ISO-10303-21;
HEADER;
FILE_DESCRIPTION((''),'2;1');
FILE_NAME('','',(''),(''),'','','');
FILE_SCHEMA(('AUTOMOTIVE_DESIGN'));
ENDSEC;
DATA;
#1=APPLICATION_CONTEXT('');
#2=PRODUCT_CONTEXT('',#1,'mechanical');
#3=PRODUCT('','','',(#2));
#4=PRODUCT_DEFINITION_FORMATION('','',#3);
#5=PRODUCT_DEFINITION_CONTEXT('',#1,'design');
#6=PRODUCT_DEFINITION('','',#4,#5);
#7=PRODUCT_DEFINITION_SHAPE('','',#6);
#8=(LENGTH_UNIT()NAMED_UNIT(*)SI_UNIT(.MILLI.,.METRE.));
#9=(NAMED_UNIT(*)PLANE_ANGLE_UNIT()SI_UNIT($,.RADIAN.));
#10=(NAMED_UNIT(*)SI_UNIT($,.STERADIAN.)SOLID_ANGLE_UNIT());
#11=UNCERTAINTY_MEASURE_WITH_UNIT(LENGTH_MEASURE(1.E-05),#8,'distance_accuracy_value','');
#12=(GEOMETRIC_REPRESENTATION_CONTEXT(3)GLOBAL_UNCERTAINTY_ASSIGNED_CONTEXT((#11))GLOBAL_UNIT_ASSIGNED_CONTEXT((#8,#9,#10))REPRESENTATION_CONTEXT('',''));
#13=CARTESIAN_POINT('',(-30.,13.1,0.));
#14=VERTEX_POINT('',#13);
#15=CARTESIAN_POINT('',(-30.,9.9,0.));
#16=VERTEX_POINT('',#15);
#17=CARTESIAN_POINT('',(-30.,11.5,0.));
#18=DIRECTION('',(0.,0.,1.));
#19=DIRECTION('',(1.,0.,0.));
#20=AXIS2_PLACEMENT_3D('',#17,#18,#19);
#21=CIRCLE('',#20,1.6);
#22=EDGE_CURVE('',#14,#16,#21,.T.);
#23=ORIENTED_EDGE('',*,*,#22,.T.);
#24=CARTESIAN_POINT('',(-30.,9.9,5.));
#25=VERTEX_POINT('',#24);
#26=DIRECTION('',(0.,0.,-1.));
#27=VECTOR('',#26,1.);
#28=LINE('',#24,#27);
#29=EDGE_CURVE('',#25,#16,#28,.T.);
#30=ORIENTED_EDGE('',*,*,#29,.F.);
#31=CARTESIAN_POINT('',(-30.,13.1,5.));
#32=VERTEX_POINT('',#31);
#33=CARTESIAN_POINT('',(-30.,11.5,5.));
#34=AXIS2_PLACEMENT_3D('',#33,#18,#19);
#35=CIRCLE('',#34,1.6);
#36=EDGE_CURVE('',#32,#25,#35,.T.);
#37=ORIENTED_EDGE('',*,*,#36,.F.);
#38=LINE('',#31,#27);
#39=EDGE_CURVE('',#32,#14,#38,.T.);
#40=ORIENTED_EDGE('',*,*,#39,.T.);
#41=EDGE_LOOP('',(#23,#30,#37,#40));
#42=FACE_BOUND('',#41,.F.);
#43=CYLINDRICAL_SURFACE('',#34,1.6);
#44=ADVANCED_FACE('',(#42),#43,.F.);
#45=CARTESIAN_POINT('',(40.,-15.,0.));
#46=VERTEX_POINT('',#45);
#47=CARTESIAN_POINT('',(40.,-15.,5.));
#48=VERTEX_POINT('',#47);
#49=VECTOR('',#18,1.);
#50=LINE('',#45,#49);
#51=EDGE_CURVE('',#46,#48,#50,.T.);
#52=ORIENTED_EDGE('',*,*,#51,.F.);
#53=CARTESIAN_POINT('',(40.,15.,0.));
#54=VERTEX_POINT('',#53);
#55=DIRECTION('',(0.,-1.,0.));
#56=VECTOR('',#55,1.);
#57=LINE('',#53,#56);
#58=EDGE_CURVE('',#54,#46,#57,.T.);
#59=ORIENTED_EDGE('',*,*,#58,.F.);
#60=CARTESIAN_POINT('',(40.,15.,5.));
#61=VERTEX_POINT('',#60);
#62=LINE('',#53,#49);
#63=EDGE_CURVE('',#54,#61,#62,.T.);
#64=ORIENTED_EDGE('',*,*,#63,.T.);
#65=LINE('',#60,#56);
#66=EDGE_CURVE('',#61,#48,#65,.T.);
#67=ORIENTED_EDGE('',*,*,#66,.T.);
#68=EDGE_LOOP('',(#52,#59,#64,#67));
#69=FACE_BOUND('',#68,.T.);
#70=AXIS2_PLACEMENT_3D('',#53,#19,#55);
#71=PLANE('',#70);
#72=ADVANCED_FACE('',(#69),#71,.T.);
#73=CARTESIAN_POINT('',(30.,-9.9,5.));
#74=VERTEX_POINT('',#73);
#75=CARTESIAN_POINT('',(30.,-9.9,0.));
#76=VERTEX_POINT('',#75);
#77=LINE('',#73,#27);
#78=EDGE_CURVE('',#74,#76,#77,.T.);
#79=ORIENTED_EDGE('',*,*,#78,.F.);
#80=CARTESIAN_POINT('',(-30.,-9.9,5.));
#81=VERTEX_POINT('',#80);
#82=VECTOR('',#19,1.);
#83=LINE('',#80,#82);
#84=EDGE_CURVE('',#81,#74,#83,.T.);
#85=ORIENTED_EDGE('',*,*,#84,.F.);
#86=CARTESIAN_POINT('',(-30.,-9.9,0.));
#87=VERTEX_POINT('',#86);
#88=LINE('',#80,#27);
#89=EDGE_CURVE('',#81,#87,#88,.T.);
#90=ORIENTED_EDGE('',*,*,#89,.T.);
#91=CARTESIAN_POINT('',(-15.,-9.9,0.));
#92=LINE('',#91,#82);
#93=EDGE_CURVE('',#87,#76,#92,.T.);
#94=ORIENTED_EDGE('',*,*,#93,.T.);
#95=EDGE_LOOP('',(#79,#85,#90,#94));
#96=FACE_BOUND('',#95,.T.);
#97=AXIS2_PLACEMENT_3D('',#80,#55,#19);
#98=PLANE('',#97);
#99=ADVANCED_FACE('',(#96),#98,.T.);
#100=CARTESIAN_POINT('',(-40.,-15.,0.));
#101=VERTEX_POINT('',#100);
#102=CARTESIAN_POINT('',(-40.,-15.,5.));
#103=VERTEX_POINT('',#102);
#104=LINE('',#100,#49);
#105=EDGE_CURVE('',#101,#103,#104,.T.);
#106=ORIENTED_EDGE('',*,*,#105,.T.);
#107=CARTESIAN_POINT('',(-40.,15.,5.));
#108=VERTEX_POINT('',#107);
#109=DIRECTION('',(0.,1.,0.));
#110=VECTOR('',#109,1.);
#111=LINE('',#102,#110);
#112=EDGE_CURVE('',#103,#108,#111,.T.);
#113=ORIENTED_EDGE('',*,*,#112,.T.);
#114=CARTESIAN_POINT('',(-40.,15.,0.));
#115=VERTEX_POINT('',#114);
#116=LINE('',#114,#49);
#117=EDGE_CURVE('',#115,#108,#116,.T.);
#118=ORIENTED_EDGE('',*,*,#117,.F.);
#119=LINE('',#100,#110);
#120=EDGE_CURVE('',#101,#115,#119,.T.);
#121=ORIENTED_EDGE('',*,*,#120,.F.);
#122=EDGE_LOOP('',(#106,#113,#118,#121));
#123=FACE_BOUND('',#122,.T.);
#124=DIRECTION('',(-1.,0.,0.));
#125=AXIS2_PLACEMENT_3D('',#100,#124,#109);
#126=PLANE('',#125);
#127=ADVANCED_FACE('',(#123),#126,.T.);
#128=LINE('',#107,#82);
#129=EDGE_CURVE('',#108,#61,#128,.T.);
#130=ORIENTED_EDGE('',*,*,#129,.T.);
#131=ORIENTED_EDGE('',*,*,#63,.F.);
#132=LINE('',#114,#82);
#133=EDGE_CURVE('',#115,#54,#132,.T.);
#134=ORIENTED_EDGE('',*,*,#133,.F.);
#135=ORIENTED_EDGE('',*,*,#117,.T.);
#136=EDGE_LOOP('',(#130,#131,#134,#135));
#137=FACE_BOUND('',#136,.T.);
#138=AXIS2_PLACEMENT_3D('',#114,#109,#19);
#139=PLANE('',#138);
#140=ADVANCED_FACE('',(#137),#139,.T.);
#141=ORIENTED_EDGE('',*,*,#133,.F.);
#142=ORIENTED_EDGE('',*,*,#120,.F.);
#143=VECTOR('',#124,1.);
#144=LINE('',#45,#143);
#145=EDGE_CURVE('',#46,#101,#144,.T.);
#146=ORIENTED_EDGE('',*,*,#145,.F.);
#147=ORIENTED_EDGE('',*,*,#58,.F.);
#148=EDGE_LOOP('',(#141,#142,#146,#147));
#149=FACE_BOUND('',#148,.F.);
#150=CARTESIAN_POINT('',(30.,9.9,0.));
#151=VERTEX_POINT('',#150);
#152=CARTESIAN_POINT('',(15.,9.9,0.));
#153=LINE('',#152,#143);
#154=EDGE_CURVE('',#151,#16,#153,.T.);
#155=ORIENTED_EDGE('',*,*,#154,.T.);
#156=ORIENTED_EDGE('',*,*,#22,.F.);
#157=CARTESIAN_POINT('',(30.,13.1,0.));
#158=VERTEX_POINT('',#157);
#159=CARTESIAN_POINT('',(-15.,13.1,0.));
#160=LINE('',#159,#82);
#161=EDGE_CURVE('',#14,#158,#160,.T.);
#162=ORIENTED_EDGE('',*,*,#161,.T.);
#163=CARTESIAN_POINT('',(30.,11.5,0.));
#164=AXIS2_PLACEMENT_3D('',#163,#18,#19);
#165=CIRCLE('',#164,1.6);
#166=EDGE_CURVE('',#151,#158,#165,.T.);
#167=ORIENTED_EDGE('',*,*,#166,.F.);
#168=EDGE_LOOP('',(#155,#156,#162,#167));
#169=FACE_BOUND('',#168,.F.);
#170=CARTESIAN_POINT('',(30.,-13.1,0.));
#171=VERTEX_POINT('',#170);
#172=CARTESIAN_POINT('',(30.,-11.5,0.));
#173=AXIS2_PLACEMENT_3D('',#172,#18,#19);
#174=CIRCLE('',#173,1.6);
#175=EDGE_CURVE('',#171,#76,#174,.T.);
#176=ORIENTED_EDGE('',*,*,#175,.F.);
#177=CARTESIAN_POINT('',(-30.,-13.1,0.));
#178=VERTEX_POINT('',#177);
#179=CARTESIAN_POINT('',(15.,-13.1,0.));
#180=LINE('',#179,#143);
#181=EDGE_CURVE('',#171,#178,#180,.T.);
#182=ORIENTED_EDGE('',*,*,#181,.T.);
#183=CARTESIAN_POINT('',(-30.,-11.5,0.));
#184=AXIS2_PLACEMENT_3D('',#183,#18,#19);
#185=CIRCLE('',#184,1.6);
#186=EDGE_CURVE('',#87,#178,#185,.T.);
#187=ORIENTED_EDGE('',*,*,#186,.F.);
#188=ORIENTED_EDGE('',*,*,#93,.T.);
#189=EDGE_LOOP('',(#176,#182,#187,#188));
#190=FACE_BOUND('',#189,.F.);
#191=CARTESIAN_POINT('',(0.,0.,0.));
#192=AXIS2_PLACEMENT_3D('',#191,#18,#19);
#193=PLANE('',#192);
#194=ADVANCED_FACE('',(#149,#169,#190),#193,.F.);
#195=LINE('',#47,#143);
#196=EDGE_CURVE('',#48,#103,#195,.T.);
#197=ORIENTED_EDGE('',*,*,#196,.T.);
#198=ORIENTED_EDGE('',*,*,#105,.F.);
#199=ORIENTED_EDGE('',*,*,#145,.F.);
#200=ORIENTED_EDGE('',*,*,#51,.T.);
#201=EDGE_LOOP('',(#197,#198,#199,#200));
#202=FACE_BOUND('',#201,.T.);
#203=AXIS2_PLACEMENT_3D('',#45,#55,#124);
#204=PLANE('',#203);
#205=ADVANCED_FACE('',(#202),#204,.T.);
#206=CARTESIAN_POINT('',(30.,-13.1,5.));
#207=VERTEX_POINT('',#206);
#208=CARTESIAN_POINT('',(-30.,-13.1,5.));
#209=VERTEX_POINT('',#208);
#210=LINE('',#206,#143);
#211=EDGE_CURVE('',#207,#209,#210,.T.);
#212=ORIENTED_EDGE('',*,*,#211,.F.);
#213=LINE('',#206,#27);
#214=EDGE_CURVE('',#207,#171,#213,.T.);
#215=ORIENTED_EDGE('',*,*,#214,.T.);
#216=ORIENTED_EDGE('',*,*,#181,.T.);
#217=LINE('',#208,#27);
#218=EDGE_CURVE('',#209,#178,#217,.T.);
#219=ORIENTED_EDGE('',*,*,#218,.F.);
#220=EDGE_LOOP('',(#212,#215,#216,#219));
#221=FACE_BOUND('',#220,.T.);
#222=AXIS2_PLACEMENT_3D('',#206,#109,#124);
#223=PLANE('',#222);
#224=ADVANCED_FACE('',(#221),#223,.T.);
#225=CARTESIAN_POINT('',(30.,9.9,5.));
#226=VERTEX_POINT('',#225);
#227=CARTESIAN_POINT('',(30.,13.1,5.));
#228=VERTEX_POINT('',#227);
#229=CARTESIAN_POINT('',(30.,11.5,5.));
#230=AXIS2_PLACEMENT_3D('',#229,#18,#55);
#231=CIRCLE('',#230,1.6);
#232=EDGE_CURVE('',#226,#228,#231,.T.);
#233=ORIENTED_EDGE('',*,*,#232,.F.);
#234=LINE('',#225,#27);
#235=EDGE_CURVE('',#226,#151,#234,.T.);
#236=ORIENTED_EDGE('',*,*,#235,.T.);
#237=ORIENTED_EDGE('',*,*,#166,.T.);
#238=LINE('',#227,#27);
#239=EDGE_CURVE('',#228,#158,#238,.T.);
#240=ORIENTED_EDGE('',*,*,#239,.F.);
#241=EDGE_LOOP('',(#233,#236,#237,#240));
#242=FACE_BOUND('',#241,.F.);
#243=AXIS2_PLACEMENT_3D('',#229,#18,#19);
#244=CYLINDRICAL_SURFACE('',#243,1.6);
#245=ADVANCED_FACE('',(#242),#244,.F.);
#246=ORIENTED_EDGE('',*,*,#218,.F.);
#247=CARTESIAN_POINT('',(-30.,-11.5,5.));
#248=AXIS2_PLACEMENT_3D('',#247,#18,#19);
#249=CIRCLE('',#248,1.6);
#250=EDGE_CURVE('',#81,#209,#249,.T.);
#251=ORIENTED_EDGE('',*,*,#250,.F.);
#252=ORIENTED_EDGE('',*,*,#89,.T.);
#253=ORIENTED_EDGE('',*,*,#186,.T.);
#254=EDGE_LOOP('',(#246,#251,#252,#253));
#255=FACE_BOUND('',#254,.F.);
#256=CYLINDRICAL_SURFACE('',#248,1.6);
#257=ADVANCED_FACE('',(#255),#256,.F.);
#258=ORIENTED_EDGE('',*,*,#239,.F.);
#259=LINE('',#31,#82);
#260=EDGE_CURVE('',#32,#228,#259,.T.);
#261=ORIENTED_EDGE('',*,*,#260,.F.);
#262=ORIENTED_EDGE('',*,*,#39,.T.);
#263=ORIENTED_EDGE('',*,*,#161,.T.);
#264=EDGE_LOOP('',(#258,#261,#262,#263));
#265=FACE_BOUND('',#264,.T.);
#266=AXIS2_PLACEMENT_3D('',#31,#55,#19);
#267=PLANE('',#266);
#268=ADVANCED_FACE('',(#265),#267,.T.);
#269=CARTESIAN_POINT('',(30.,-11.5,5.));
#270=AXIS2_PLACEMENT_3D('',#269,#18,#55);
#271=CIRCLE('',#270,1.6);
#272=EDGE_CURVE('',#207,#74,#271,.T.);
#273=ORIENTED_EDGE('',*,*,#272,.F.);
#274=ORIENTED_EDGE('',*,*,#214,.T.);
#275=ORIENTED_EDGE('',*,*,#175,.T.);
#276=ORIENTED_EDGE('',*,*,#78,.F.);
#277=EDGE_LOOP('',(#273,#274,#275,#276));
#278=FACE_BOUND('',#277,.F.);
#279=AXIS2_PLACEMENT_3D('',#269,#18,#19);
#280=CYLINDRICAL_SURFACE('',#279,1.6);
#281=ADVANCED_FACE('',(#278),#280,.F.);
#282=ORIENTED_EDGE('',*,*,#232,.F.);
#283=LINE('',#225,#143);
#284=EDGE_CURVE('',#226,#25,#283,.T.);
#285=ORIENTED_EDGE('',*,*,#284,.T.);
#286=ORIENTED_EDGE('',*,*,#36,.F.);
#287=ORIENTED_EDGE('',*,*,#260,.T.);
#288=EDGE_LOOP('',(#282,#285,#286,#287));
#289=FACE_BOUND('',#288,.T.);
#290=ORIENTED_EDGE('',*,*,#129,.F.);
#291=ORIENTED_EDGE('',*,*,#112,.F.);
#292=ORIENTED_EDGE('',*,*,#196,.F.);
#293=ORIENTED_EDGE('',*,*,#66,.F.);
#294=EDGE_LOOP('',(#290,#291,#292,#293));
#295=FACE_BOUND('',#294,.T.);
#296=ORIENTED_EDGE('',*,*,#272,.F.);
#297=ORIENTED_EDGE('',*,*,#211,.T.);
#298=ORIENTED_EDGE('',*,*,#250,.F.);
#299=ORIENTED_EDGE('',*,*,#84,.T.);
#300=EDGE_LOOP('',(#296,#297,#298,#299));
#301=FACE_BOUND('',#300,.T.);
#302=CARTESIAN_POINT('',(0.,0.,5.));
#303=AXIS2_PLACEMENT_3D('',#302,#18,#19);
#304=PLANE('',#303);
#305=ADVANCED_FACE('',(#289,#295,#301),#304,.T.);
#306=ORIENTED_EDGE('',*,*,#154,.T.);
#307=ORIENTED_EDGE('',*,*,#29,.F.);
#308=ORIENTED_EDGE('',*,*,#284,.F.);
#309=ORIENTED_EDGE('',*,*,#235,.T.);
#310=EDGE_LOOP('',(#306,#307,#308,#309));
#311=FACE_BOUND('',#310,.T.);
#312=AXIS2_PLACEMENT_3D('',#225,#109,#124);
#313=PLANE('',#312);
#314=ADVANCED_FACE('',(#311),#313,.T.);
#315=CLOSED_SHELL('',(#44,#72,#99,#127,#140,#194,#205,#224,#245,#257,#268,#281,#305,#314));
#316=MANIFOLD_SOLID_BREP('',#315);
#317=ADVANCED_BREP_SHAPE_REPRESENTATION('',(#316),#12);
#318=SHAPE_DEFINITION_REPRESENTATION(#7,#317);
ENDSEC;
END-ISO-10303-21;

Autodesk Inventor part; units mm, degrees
ref_plane "YZ Plane" through (0, 0, 0) normal (1, 0, 0) x (0, 1, 0)
ref_plane "XZ Plane" through (0, 0, 0) normal (0, 1, 0) x (-1, 0, 0)
ref_plane "XY Plane" through (0, 0, 0) normal (0, 0, 1) x (1, 0, 0)
sketch "スケッチ1" plane through (0, 0, 0) normal (0, 0, 1) x (1, 0, 0)
  line L0 (-40, 15) -> (40, 15)
  line L1 (40, 15) -> (40, -15)
  line L2 (40, -15) -> (-40, -15)
  line L3 (-40, -15) -> (-40, 15)
  point P0 (0, 0)
  dimension "d0" = 80
  dimension "d1" = 40
  dimension "d2" = 30
  dimension "d3" = 15
extrude "押し出し1" add sketch "スケッチ1" along normal blind 5
sketch "スケッチ2" plane through (0, 0, 5) normal (0, 0, 1) x (1, 0, 0)
  line L0 (40, 15) -> (40, -15) projected
  line L1 (-40, 15) -> (40, 15) projected
  line L2 (-40, -15) -> (-40, 15) projected
  line L3 (40, -15) -> (-40, -15) projected
  line L4 (-30, 13.1) -> (30, 13.1)
  line L5 (30, 13.1) -> (30, 9.9)
  line L6 (30, 9.9) -> (-30, 9.9)
  line L7 (-30, 9.9) -> (-30, 13.1)
  line L8 (-30, -9.9) -> (30, -9.9)
  line L9 (30, -9.9) -> (30, -13.1)
  line L10 (30, -13.1) -> (-30, -13.1)
  line L11 (-30, -13.1) -> (-30, -9.9)
  circle A0 centre (-30, 11.5) radius 1.6
  circle A1 centre (30, 11.5) radius 1.6
  circle A2 centre (-30, -11.5) radius 1.6
  circle A3 centre (30, -11.5) radius 1.6
  point P0 (0, 0)
  dimension "d6" = 5.1
  dimension "d7" = 3.2
  dimension "d8" = 5.1
  dimension "d9" = 3.2
  dimension "d10" = 10
  dimension "d11" = 10
  dimension "d12" = 10
  dimension "d13" = 10
extrude "押し出し2" cut sketch "スケッチ2" against normal through all contours A0 L7 | L4 A1 L6 A0 | L7 A0 | A1 L5 | L5 A1 | A2 L11 | L8 A3 L10 A2 | L11 A2 | A3 L9 | L9 A3
equation "\"d1\" = 0.5 * d0"
equation "\"d3\" = 0.5 * d2"
equation "\"d8\" = d6"
equation "\"d9\" = d7"
equation "\"d11\" = d10"
equation "\"d12\" = d10"
equation "\"d13\" = d10"
properties part number "JointA3"
